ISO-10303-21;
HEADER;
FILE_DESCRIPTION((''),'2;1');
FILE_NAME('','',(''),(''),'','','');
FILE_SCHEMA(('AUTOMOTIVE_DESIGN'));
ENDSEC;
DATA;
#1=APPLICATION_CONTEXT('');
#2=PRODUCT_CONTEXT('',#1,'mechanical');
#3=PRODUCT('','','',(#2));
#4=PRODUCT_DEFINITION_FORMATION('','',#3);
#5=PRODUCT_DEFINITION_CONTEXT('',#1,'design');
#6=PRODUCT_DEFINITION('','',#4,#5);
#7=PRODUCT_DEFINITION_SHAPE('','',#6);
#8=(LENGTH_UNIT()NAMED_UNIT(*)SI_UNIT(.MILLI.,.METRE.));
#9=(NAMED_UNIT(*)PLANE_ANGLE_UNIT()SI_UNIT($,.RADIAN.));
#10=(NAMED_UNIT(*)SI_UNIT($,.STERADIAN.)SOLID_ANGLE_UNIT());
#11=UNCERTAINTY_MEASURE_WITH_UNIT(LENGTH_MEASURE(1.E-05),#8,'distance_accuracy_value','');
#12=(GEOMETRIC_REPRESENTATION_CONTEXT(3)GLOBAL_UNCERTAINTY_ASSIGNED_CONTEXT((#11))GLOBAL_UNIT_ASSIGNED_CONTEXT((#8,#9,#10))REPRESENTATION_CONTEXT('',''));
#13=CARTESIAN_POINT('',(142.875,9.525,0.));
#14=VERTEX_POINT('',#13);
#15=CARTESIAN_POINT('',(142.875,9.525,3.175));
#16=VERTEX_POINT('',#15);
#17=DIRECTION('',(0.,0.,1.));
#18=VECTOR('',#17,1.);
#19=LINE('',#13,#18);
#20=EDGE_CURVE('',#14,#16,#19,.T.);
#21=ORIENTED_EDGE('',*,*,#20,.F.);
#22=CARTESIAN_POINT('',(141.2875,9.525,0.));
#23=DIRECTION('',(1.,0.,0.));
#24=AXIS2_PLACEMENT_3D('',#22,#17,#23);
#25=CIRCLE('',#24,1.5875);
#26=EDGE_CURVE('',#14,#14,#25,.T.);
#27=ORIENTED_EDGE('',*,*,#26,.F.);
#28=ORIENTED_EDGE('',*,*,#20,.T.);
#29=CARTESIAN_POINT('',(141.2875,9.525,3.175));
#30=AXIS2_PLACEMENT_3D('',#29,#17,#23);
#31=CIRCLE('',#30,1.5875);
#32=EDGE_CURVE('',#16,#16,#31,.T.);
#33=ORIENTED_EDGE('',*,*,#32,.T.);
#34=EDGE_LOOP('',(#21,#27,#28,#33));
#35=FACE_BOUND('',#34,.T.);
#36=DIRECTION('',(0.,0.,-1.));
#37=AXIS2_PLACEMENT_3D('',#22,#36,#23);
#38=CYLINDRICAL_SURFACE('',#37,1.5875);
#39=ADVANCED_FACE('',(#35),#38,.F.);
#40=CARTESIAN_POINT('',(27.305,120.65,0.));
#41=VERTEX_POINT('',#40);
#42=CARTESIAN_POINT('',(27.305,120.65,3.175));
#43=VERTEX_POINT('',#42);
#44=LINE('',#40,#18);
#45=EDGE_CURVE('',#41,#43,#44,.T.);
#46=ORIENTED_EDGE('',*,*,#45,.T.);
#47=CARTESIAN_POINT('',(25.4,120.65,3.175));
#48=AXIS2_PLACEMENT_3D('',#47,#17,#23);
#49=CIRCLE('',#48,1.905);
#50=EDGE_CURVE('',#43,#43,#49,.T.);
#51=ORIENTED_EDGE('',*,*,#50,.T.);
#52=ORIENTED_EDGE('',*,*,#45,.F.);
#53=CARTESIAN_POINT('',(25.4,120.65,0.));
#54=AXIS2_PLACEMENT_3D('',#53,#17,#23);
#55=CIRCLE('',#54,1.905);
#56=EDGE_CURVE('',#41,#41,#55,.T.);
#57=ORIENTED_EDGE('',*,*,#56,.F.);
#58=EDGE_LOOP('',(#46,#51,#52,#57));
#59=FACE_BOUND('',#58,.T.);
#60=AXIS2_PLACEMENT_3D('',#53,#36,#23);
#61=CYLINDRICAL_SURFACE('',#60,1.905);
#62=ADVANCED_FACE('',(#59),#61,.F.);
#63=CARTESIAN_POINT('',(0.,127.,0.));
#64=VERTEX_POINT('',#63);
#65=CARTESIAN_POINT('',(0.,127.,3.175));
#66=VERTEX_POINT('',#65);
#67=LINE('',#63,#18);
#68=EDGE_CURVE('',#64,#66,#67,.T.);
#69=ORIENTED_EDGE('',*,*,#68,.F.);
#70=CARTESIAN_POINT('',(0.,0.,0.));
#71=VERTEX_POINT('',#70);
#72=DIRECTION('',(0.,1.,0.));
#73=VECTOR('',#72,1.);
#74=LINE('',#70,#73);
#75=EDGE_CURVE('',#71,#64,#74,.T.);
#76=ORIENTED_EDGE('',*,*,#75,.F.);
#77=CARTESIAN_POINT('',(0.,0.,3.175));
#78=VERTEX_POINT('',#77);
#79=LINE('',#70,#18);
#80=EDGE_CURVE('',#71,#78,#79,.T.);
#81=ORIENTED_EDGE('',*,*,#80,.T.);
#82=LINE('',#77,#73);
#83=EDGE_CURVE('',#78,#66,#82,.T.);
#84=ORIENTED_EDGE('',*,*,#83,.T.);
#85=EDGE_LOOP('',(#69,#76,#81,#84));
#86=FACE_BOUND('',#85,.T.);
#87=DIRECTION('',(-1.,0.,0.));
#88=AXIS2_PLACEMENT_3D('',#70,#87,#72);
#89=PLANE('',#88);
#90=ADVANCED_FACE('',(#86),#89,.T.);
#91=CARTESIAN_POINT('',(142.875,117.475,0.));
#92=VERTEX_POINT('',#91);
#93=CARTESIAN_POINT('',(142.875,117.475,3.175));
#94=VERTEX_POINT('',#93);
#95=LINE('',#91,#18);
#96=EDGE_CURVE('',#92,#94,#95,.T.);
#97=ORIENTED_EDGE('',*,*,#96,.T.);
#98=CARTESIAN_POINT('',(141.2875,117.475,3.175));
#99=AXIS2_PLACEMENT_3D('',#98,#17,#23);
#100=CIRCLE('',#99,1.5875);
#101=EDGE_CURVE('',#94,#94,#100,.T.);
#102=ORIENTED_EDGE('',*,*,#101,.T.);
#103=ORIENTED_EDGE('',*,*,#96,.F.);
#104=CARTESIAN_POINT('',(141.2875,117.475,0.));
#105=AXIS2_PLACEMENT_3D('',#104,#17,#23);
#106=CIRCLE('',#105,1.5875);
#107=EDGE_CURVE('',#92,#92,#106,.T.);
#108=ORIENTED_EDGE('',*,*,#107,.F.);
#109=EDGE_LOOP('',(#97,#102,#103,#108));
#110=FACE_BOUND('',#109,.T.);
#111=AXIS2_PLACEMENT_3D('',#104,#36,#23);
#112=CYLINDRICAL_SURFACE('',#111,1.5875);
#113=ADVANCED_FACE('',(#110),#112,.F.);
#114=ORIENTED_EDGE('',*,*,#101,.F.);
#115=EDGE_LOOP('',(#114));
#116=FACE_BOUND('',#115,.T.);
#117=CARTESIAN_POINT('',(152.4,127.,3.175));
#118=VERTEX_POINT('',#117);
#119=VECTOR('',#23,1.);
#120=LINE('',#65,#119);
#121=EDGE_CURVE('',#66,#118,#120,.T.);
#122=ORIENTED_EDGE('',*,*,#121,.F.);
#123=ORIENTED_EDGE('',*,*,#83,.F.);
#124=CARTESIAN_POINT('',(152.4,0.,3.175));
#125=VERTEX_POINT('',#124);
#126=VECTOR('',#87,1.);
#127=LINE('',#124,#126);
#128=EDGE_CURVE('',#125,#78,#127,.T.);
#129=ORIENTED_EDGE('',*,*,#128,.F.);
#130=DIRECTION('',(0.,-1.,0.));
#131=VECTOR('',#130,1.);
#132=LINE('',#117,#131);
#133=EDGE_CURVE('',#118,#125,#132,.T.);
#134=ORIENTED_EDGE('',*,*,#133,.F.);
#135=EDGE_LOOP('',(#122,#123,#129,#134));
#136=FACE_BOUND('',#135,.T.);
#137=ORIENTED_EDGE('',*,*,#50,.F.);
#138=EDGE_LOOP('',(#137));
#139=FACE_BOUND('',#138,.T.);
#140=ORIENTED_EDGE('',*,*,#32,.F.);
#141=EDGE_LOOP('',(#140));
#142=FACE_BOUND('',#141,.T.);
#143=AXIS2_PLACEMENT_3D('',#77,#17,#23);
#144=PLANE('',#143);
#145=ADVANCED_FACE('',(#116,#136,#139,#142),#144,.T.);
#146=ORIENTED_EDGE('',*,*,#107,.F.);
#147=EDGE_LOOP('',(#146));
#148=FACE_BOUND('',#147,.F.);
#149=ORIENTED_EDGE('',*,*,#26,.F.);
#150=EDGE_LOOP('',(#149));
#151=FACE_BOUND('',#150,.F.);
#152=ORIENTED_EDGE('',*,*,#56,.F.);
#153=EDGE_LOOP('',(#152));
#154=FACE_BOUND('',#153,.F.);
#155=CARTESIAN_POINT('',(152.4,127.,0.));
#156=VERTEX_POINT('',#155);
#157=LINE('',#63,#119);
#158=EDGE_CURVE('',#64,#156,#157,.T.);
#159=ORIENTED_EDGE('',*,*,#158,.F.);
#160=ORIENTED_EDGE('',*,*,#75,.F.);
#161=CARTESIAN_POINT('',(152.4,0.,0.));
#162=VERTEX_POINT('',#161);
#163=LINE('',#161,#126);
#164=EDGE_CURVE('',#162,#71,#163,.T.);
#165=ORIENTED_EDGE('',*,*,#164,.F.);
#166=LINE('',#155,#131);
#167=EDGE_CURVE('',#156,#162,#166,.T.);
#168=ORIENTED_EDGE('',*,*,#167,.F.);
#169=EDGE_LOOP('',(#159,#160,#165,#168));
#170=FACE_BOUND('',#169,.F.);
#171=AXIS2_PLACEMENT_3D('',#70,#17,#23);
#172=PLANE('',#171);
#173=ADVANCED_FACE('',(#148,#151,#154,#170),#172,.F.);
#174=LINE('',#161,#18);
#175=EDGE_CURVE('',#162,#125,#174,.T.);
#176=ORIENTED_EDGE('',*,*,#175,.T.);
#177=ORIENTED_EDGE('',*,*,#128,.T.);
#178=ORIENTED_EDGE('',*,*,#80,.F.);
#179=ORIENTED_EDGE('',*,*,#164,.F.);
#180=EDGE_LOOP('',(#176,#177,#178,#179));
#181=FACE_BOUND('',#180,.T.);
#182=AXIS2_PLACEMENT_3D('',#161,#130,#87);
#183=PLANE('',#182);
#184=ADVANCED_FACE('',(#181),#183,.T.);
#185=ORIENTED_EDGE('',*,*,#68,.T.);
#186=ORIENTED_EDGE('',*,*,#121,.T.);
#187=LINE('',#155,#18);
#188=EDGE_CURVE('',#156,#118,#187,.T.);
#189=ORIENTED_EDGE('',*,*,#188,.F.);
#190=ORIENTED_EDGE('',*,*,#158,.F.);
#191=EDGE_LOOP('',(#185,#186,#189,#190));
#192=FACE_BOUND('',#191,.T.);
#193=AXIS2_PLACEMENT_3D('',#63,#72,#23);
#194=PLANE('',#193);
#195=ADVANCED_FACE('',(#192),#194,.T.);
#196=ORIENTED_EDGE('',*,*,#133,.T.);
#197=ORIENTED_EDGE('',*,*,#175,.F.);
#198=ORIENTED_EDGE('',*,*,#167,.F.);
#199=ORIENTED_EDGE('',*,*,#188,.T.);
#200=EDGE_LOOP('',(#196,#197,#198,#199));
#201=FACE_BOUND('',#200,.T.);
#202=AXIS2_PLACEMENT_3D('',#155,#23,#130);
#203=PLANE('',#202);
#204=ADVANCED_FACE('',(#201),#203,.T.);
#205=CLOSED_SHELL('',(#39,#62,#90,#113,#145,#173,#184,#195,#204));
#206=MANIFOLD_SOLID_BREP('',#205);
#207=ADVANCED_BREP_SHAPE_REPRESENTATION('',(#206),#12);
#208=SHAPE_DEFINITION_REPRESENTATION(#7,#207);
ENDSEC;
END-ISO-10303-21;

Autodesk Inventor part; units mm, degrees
ref_plane "YZ Plane" through (0, 0, 0) normal (1, 0, 0) x (0, 1, 0)
ref_plane "XZ Plane" through (0, 0, 0) normal (0, 1, 0) x (-1, 0, 0)
ref_plane "XY Plane" through (0, 0, 0) normal (0, 0, 1) x (1, 0, 0)
sketch "Sketch1" plane through (0, 0, 0) normal (0, 0, 1) x (1, 0, 0)
  line L0 (0, 0) -> (0, 127)
  line L1 (0, 127) -> (152.4, 127)
  line L2 (152.4, 127) -> (152.4, 0)
  line L3 (152.4, 0) -> (0, 0)
  circle A0 centre (25.4, 120.65) radius 1.905
  line L4 (0, 120.65) -> (152.4, 120.65) construction
  circle A1 centre (141.2875, 117.475) radius 1.5875 projected
  circle A2 centre (141.2875, 9.525) radius 1.5875 projected
  dimension "d0" = 127
  dimension "d1" = 152.4
  dimension "d4" = 3.81
  dimension "d5" = 6.35
  dimension "d6" = 25.4
extrude "Extrusion1" add sketch "Sketch1" along normal blind 3.175
properties part number "Wheel Shield 2" material "Polycarbonate, Clear"
